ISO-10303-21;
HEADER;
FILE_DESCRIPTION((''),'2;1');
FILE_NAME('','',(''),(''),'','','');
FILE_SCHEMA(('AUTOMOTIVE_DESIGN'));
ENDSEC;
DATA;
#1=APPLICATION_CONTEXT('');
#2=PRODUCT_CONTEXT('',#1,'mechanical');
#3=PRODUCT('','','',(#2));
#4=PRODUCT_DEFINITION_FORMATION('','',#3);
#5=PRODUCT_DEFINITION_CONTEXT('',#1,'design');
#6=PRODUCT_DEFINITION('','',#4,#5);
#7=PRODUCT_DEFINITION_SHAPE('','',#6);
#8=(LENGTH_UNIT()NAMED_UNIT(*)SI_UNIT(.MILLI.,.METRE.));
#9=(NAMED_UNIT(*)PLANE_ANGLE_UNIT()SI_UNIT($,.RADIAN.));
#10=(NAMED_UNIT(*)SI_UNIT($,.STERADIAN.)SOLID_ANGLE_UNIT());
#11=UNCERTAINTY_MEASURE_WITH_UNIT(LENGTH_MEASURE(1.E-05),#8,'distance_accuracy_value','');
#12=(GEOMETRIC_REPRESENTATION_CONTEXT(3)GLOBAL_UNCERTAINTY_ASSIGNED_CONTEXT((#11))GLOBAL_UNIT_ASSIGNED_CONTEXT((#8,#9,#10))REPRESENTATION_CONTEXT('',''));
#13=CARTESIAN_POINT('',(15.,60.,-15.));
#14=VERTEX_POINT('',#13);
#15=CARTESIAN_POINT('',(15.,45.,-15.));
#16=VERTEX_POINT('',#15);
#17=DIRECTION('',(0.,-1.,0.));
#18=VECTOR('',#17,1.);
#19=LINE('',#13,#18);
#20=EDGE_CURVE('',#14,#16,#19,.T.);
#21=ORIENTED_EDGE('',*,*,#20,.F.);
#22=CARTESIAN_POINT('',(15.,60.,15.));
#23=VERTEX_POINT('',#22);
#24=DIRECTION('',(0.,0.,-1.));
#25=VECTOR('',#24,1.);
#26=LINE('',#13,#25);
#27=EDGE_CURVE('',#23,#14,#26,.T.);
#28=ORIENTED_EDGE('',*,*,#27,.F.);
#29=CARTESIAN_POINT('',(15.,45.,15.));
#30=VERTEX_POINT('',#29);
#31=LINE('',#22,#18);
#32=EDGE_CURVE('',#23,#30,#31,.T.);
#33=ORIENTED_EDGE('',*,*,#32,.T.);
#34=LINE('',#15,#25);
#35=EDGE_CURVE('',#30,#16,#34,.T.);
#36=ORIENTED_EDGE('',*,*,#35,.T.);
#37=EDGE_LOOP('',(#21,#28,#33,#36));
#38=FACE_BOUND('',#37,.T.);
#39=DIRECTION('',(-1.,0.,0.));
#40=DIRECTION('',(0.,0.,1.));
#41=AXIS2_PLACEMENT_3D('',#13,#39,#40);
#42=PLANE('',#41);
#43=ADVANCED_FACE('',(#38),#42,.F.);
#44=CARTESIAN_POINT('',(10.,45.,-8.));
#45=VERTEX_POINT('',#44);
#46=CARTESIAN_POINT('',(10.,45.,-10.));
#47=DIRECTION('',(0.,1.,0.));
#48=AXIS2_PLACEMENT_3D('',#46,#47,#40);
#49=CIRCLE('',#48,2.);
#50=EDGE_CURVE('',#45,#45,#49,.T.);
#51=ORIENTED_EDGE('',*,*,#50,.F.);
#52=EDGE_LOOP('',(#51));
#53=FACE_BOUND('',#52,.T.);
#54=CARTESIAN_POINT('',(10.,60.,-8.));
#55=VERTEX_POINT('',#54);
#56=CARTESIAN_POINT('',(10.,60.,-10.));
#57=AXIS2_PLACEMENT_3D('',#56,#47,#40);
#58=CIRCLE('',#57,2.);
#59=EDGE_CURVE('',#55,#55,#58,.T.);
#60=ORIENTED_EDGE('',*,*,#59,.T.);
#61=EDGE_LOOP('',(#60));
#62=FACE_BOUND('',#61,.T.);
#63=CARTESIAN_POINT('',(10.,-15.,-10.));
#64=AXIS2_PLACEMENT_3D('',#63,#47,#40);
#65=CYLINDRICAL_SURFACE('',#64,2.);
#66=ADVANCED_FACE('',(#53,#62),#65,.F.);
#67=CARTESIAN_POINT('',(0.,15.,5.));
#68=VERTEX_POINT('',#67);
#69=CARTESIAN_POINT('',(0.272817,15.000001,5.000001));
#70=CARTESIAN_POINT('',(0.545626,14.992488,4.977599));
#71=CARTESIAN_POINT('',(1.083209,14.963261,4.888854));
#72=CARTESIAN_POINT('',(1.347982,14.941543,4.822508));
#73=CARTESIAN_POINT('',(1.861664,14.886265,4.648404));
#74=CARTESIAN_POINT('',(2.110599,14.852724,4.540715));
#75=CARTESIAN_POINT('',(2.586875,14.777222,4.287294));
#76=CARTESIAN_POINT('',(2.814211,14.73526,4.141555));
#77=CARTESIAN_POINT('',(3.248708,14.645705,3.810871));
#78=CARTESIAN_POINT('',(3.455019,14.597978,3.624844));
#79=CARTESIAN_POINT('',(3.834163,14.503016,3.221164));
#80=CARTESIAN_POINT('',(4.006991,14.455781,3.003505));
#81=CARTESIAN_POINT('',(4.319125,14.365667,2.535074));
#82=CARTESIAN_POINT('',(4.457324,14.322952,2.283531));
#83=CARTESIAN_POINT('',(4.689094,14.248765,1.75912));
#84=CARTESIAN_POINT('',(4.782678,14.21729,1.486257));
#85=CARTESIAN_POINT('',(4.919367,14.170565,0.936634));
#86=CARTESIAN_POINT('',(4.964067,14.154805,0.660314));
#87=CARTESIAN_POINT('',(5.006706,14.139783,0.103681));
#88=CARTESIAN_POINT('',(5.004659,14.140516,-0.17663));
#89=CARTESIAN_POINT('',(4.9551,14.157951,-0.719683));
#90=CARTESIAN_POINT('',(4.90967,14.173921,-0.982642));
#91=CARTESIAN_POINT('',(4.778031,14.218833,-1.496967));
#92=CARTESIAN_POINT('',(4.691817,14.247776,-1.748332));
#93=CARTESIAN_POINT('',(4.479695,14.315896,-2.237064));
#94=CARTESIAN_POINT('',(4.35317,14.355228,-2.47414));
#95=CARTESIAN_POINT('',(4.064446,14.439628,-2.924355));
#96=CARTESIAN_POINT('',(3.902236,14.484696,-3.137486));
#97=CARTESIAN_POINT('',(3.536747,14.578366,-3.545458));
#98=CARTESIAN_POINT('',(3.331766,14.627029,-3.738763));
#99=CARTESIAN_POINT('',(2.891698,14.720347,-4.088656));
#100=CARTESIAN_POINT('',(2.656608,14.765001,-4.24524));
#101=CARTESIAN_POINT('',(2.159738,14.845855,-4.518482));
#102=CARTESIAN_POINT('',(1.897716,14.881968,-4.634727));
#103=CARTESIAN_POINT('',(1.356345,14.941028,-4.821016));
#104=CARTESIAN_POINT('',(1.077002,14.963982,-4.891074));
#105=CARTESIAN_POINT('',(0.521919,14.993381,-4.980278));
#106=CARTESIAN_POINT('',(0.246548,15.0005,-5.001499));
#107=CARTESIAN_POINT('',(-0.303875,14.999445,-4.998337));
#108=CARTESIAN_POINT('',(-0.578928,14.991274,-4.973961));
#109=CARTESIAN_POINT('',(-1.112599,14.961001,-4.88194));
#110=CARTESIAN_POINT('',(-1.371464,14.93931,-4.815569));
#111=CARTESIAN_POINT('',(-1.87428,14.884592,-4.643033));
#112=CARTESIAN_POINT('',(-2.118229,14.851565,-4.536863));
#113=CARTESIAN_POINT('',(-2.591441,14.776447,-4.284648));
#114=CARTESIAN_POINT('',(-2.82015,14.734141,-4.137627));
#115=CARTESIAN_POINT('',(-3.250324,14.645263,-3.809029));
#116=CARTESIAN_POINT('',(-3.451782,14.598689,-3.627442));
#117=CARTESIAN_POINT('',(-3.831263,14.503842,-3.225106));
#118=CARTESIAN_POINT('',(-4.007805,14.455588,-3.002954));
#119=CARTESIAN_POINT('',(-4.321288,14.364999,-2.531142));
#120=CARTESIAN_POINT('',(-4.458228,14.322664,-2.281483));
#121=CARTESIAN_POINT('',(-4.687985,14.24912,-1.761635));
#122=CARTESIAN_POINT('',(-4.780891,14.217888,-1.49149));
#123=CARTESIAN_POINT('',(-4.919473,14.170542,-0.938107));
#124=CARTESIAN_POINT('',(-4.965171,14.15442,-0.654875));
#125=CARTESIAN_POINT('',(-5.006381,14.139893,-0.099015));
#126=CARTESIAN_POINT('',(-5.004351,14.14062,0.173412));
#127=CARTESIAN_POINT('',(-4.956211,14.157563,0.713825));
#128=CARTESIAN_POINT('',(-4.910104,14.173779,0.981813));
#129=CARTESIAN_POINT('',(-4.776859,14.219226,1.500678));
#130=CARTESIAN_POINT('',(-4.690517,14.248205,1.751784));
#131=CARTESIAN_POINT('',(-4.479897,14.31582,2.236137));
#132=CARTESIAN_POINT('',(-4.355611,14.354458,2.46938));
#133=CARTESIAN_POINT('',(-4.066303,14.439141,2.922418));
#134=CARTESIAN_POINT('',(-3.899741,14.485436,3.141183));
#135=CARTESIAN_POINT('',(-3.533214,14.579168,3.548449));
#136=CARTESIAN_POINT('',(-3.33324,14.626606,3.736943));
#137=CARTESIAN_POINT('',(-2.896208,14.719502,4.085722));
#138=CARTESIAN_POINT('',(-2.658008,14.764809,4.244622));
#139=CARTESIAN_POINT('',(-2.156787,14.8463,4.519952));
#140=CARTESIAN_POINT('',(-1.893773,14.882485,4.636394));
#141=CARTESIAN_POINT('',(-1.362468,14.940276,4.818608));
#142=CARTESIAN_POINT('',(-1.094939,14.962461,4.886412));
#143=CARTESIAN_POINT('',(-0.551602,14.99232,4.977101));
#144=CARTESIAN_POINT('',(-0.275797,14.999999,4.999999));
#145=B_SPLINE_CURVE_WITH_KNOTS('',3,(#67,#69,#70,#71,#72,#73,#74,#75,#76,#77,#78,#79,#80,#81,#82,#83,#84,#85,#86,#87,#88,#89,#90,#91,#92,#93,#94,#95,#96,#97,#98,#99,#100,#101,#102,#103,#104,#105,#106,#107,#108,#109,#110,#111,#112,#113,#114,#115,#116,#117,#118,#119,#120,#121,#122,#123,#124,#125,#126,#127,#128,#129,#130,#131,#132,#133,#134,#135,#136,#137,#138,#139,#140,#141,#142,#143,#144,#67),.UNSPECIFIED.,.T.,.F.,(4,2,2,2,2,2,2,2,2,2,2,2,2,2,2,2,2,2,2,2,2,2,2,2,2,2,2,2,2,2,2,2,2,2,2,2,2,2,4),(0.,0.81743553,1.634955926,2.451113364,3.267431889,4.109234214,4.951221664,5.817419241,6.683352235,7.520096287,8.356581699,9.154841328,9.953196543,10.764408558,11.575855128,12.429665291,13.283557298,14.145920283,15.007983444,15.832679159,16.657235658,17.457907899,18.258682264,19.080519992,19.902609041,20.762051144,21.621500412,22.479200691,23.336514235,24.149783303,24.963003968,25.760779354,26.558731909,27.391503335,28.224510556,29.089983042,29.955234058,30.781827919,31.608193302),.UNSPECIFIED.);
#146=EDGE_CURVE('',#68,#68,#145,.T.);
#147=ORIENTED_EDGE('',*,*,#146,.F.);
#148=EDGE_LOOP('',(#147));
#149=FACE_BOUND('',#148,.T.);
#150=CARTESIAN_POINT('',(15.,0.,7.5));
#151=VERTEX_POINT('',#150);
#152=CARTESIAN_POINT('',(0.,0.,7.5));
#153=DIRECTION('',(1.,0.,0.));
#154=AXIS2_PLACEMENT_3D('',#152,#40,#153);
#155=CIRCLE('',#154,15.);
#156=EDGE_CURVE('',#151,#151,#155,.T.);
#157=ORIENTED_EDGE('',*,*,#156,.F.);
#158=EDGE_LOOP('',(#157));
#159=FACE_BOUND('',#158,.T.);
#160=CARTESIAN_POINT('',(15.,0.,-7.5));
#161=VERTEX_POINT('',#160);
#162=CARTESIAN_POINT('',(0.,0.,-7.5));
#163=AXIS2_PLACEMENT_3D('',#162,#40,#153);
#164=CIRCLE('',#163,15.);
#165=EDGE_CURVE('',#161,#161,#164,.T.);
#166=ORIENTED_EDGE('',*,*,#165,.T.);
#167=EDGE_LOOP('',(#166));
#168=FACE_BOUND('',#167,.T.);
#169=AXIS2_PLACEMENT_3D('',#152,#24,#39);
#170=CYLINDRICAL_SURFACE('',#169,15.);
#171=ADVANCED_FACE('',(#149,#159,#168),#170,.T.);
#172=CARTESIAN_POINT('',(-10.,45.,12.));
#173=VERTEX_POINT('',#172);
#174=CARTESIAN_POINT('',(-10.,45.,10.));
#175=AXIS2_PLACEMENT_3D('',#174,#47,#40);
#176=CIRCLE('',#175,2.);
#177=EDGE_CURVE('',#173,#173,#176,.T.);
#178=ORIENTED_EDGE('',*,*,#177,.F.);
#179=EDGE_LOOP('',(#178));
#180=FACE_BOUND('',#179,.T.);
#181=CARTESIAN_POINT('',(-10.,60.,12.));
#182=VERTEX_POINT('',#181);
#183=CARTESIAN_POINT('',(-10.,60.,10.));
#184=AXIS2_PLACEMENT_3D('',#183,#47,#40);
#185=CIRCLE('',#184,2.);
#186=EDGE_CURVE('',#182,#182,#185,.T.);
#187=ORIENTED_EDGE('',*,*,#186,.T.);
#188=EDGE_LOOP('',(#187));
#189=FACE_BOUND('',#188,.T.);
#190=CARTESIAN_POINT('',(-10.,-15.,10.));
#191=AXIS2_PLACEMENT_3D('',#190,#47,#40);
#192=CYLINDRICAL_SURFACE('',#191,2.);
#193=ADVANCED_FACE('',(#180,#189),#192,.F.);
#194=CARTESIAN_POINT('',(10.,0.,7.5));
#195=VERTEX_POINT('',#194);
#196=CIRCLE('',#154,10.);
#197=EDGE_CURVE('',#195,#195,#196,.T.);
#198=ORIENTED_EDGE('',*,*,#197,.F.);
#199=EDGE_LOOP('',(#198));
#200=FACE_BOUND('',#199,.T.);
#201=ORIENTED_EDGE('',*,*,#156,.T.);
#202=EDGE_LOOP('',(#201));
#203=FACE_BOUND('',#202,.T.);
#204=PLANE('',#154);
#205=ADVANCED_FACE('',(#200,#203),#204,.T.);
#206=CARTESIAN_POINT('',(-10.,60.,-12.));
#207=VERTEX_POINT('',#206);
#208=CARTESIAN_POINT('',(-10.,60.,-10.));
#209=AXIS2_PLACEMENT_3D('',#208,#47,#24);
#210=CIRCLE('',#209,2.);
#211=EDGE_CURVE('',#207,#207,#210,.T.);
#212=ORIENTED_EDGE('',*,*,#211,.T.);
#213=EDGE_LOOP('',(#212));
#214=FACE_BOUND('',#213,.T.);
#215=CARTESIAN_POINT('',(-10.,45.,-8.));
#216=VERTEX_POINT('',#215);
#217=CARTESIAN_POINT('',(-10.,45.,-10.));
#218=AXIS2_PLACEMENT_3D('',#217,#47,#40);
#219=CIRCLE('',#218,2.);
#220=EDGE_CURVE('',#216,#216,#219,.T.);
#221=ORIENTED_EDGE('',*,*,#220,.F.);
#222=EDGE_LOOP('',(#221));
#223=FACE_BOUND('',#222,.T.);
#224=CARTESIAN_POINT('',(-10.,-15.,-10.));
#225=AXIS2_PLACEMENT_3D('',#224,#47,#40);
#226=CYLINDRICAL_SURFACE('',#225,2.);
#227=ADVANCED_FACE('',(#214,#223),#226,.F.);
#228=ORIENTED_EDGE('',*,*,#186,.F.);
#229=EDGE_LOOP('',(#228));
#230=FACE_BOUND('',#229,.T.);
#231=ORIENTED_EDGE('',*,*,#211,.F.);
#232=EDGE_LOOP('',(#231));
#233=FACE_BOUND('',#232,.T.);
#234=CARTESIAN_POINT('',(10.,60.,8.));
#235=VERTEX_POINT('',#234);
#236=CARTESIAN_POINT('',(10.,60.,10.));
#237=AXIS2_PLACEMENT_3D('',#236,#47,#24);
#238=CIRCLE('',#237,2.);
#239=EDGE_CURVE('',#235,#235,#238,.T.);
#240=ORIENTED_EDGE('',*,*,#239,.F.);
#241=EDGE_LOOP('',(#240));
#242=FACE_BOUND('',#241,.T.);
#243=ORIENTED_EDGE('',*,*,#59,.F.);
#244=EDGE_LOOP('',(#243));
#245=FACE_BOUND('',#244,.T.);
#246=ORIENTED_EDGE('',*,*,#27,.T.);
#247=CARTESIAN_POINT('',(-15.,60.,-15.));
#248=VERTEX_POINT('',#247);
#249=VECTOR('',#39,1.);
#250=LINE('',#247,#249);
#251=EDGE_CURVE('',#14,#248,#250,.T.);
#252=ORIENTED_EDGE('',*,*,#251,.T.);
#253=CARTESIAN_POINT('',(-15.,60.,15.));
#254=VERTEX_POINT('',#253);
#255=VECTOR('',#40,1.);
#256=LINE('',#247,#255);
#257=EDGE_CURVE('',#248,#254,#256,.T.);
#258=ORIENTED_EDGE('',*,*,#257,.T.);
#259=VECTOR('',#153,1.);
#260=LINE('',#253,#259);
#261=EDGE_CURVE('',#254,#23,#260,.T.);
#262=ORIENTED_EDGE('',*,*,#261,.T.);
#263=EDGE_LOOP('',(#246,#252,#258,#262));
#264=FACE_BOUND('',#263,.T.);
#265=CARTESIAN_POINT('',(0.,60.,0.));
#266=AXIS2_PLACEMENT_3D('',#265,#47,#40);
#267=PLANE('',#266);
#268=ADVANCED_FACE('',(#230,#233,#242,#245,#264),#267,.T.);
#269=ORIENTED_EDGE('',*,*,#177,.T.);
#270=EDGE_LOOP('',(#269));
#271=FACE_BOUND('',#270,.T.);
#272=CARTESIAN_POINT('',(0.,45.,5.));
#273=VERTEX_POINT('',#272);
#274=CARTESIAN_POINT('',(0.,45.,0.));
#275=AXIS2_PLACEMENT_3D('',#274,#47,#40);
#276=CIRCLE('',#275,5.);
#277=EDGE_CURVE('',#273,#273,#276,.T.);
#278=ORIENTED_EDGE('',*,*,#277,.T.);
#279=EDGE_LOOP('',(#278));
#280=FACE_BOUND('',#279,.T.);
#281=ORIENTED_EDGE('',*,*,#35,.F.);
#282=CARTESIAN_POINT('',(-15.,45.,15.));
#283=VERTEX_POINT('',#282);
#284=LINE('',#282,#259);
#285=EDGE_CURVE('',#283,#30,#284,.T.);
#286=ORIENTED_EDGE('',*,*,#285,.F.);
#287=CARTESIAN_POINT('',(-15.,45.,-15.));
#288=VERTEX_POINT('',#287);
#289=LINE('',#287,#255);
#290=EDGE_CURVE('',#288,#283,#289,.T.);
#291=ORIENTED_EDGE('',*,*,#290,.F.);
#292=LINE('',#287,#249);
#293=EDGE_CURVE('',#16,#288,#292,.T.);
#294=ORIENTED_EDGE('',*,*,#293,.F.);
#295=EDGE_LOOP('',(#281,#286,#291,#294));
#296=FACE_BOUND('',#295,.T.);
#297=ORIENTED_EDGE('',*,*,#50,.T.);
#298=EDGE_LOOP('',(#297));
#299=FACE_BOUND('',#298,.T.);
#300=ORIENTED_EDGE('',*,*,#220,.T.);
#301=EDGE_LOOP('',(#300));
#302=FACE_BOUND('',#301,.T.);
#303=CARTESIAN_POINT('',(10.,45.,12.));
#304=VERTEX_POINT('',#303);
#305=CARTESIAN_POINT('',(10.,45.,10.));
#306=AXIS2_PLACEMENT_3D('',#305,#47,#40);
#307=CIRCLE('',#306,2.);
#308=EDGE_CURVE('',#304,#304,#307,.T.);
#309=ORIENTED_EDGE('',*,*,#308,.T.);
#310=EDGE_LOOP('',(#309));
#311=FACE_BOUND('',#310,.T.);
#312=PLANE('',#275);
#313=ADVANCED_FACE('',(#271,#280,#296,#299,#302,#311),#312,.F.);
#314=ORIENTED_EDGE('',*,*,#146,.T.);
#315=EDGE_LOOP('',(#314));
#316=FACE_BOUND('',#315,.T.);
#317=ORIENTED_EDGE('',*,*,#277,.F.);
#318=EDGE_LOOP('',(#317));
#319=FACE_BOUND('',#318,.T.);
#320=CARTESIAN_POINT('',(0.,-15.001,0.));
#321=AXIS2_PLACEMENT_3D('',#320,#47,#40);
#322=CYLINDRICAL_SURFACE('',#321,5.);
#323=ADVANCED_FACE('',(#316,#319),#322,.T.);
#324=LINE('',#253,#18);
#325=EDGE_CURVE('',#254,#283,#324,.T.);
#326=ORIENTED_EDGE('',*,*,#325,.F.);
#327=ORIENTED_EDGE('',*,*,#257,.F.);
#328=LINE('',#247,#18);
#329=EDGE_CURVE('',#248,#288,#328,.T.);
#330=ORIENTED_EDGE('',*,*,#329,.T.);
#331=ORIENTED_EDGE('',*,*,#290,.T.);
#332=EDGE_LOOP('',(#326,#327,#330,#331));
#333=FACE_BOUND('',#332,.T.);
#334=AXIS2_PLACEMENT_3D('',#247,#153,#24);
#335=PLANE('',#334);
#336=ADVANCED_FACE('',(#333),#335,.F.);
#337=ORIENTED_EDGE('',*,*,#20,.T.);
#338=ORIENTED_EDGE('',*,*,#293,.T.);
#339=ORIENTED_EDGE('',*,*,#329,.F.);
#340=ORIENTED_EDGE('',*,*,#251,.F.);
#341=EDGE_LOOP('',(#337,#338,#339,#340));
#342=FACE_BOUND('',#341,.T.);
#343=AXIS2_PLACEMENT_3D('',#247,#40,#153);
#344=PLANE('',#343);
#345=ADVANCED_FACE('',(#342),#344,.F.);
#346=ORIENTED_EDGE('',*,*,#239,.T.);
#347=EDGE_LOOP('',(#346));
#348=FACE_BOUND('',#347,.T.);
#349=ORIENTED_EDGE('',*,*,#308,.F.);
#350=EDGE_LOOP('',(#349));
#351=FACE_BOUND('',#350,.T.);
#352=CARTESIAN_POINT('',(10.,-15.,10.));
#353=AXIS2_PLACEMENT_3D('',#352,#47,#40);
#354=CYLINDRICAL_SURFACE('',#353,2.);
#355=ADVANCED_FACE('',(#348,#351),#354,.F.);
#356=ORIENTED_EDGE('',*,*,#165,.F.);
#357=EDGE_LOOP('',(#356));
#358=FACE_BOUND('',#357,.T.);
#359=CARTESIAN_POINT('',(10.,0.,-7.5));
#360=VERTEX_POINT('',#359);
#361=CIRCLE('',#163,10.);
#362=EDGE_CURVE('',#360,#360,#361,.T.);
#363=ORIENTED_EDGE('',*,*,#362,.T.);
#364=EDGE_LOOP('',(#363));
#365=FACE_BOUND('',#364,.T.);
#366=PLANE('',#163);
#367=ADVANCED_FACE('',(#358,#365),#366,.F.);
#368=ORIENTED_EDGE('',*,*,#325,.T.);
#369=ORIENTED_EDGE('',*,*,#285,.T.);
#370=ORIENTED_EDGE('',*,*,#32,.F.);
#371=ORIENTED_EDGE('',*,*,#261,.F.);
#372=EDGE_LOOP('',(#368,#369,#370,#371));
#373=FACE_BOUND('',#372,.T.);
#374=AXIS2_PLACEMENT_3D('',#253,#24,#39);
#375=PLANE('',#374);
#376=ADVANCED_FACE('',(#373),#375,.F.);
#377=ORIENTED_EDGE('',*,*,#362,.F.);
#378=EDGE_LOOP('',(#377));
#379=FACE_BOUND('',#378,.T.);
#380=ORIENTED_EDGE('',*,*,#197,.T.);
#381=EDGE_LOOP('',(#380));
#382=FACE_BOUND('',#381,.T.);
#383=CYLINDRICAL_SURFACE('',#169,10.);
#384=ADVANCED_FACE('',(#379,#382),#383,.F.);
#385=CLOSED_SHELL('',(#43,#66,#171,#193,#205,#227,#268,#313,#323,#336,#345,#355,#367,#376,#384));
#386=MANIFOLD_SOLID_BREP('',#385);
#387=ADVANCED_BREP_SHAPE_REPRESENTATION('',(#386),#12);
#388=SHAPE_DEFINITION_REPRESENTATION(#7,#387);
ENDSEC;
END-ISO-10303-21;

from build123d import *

# Parameters (mm, degrees)
SKETCH_1_R           = 15
SKETCH_1_R_2         = 10
EXTRUDE_1_DEPTH      = 7.5
EXTRUDE_2_REACH      = 64.3
EXTRUDE_2_END_RADIUS = 15
SKETCH_3_R           = 5
SKETCH_4_W           = 30
SKETCH_4_H           = 30
EXTRUDE_3_DEPTH      = 15
SKETCH_5_R           = 2
CUT_EXTRUDE_1_DEPTH  = 78.942286456


with BuildPart() as part:
    # 草图1 → 凸台-拉伸1 (new, symmetric)
    with BuildSketch(Plane.XY):
        Circle(SKETCH_1_R)
        Circle(SKETCH_1_R_2, mode=Mode.SUBTRACT)
    extrude(amount=EXTRUDE_1_DEPTH, both=True)

    # 凸台-拉伸2: up to this cylinder (the profile starts outside it)
    extrude_2_end = Plane(origin=(0, 0, 0), z_dir=(0, 0, -1)) * Cylinder(EXTRUDE_2_END_RADIUS, 159.6, mode=Mode.PRIVATE)
    # 草图3 → 凸台-拉伸2 (add, up to the surface)
    with BuildSketch(Plane(origin=(0, 45, 0), x_dir=(1, 0, 0), z_dir=(0, 1, 0)), mode=Mode.PRIVATE) as extrude_2_sk1:
        with Locations(Location((0, 0, 0), (0, 0, 270))):
            Circle(SKETCH_3_R)
    extrude_2_tool1 = extrude(extrude_2_sk1.sketch, amount=-EXTRUDE_2_REACH, mode=Mode.PRIVATE) - extrude_2_end
    add(extrude_2_tool1.solids().sort_by_distance((0, 45, 0))[0])

    # 草图4 → 凸台-拉伸3 (add)
    with BuildSketch(Plane(origin=(0, 45, 0), x_dir=(1, 0, 0), z_dir=(0, 1, 0))):
        Rectangle(SKETCH_4_W, SKETCH_4_H)
    extrude(amount=EXTRUDE_3_DEPTH)

    # 草图5 → 切除-拉伸1 (cut, through all)
    with BuildSketch(Plane(origin=(0, 60, 0), x_dir=(1, 0, 0), z_dir=(0, 1, 0))):
        with Locations(Location((10, 10, 0), (0, 0, 270))):
            Circle(SKETCH_5_R)
        with Locations(Location((-10, 10, 0), (0, 0, 270))):
            Circle(SKETCH_5_R)
        with Locations(Location((10, -10, 0), (0, 0, 270))):
            Circle(SKETCH_5_R)
        with Locations(Location((-10, -10, 0), (0, 0, 270))):
            Circle(SKETCH_5_R)
    extrude(amount=-CUT_EXTRUDE_1_DEPTH, mode=Mode.SUBTRACT)


solid = part.part
